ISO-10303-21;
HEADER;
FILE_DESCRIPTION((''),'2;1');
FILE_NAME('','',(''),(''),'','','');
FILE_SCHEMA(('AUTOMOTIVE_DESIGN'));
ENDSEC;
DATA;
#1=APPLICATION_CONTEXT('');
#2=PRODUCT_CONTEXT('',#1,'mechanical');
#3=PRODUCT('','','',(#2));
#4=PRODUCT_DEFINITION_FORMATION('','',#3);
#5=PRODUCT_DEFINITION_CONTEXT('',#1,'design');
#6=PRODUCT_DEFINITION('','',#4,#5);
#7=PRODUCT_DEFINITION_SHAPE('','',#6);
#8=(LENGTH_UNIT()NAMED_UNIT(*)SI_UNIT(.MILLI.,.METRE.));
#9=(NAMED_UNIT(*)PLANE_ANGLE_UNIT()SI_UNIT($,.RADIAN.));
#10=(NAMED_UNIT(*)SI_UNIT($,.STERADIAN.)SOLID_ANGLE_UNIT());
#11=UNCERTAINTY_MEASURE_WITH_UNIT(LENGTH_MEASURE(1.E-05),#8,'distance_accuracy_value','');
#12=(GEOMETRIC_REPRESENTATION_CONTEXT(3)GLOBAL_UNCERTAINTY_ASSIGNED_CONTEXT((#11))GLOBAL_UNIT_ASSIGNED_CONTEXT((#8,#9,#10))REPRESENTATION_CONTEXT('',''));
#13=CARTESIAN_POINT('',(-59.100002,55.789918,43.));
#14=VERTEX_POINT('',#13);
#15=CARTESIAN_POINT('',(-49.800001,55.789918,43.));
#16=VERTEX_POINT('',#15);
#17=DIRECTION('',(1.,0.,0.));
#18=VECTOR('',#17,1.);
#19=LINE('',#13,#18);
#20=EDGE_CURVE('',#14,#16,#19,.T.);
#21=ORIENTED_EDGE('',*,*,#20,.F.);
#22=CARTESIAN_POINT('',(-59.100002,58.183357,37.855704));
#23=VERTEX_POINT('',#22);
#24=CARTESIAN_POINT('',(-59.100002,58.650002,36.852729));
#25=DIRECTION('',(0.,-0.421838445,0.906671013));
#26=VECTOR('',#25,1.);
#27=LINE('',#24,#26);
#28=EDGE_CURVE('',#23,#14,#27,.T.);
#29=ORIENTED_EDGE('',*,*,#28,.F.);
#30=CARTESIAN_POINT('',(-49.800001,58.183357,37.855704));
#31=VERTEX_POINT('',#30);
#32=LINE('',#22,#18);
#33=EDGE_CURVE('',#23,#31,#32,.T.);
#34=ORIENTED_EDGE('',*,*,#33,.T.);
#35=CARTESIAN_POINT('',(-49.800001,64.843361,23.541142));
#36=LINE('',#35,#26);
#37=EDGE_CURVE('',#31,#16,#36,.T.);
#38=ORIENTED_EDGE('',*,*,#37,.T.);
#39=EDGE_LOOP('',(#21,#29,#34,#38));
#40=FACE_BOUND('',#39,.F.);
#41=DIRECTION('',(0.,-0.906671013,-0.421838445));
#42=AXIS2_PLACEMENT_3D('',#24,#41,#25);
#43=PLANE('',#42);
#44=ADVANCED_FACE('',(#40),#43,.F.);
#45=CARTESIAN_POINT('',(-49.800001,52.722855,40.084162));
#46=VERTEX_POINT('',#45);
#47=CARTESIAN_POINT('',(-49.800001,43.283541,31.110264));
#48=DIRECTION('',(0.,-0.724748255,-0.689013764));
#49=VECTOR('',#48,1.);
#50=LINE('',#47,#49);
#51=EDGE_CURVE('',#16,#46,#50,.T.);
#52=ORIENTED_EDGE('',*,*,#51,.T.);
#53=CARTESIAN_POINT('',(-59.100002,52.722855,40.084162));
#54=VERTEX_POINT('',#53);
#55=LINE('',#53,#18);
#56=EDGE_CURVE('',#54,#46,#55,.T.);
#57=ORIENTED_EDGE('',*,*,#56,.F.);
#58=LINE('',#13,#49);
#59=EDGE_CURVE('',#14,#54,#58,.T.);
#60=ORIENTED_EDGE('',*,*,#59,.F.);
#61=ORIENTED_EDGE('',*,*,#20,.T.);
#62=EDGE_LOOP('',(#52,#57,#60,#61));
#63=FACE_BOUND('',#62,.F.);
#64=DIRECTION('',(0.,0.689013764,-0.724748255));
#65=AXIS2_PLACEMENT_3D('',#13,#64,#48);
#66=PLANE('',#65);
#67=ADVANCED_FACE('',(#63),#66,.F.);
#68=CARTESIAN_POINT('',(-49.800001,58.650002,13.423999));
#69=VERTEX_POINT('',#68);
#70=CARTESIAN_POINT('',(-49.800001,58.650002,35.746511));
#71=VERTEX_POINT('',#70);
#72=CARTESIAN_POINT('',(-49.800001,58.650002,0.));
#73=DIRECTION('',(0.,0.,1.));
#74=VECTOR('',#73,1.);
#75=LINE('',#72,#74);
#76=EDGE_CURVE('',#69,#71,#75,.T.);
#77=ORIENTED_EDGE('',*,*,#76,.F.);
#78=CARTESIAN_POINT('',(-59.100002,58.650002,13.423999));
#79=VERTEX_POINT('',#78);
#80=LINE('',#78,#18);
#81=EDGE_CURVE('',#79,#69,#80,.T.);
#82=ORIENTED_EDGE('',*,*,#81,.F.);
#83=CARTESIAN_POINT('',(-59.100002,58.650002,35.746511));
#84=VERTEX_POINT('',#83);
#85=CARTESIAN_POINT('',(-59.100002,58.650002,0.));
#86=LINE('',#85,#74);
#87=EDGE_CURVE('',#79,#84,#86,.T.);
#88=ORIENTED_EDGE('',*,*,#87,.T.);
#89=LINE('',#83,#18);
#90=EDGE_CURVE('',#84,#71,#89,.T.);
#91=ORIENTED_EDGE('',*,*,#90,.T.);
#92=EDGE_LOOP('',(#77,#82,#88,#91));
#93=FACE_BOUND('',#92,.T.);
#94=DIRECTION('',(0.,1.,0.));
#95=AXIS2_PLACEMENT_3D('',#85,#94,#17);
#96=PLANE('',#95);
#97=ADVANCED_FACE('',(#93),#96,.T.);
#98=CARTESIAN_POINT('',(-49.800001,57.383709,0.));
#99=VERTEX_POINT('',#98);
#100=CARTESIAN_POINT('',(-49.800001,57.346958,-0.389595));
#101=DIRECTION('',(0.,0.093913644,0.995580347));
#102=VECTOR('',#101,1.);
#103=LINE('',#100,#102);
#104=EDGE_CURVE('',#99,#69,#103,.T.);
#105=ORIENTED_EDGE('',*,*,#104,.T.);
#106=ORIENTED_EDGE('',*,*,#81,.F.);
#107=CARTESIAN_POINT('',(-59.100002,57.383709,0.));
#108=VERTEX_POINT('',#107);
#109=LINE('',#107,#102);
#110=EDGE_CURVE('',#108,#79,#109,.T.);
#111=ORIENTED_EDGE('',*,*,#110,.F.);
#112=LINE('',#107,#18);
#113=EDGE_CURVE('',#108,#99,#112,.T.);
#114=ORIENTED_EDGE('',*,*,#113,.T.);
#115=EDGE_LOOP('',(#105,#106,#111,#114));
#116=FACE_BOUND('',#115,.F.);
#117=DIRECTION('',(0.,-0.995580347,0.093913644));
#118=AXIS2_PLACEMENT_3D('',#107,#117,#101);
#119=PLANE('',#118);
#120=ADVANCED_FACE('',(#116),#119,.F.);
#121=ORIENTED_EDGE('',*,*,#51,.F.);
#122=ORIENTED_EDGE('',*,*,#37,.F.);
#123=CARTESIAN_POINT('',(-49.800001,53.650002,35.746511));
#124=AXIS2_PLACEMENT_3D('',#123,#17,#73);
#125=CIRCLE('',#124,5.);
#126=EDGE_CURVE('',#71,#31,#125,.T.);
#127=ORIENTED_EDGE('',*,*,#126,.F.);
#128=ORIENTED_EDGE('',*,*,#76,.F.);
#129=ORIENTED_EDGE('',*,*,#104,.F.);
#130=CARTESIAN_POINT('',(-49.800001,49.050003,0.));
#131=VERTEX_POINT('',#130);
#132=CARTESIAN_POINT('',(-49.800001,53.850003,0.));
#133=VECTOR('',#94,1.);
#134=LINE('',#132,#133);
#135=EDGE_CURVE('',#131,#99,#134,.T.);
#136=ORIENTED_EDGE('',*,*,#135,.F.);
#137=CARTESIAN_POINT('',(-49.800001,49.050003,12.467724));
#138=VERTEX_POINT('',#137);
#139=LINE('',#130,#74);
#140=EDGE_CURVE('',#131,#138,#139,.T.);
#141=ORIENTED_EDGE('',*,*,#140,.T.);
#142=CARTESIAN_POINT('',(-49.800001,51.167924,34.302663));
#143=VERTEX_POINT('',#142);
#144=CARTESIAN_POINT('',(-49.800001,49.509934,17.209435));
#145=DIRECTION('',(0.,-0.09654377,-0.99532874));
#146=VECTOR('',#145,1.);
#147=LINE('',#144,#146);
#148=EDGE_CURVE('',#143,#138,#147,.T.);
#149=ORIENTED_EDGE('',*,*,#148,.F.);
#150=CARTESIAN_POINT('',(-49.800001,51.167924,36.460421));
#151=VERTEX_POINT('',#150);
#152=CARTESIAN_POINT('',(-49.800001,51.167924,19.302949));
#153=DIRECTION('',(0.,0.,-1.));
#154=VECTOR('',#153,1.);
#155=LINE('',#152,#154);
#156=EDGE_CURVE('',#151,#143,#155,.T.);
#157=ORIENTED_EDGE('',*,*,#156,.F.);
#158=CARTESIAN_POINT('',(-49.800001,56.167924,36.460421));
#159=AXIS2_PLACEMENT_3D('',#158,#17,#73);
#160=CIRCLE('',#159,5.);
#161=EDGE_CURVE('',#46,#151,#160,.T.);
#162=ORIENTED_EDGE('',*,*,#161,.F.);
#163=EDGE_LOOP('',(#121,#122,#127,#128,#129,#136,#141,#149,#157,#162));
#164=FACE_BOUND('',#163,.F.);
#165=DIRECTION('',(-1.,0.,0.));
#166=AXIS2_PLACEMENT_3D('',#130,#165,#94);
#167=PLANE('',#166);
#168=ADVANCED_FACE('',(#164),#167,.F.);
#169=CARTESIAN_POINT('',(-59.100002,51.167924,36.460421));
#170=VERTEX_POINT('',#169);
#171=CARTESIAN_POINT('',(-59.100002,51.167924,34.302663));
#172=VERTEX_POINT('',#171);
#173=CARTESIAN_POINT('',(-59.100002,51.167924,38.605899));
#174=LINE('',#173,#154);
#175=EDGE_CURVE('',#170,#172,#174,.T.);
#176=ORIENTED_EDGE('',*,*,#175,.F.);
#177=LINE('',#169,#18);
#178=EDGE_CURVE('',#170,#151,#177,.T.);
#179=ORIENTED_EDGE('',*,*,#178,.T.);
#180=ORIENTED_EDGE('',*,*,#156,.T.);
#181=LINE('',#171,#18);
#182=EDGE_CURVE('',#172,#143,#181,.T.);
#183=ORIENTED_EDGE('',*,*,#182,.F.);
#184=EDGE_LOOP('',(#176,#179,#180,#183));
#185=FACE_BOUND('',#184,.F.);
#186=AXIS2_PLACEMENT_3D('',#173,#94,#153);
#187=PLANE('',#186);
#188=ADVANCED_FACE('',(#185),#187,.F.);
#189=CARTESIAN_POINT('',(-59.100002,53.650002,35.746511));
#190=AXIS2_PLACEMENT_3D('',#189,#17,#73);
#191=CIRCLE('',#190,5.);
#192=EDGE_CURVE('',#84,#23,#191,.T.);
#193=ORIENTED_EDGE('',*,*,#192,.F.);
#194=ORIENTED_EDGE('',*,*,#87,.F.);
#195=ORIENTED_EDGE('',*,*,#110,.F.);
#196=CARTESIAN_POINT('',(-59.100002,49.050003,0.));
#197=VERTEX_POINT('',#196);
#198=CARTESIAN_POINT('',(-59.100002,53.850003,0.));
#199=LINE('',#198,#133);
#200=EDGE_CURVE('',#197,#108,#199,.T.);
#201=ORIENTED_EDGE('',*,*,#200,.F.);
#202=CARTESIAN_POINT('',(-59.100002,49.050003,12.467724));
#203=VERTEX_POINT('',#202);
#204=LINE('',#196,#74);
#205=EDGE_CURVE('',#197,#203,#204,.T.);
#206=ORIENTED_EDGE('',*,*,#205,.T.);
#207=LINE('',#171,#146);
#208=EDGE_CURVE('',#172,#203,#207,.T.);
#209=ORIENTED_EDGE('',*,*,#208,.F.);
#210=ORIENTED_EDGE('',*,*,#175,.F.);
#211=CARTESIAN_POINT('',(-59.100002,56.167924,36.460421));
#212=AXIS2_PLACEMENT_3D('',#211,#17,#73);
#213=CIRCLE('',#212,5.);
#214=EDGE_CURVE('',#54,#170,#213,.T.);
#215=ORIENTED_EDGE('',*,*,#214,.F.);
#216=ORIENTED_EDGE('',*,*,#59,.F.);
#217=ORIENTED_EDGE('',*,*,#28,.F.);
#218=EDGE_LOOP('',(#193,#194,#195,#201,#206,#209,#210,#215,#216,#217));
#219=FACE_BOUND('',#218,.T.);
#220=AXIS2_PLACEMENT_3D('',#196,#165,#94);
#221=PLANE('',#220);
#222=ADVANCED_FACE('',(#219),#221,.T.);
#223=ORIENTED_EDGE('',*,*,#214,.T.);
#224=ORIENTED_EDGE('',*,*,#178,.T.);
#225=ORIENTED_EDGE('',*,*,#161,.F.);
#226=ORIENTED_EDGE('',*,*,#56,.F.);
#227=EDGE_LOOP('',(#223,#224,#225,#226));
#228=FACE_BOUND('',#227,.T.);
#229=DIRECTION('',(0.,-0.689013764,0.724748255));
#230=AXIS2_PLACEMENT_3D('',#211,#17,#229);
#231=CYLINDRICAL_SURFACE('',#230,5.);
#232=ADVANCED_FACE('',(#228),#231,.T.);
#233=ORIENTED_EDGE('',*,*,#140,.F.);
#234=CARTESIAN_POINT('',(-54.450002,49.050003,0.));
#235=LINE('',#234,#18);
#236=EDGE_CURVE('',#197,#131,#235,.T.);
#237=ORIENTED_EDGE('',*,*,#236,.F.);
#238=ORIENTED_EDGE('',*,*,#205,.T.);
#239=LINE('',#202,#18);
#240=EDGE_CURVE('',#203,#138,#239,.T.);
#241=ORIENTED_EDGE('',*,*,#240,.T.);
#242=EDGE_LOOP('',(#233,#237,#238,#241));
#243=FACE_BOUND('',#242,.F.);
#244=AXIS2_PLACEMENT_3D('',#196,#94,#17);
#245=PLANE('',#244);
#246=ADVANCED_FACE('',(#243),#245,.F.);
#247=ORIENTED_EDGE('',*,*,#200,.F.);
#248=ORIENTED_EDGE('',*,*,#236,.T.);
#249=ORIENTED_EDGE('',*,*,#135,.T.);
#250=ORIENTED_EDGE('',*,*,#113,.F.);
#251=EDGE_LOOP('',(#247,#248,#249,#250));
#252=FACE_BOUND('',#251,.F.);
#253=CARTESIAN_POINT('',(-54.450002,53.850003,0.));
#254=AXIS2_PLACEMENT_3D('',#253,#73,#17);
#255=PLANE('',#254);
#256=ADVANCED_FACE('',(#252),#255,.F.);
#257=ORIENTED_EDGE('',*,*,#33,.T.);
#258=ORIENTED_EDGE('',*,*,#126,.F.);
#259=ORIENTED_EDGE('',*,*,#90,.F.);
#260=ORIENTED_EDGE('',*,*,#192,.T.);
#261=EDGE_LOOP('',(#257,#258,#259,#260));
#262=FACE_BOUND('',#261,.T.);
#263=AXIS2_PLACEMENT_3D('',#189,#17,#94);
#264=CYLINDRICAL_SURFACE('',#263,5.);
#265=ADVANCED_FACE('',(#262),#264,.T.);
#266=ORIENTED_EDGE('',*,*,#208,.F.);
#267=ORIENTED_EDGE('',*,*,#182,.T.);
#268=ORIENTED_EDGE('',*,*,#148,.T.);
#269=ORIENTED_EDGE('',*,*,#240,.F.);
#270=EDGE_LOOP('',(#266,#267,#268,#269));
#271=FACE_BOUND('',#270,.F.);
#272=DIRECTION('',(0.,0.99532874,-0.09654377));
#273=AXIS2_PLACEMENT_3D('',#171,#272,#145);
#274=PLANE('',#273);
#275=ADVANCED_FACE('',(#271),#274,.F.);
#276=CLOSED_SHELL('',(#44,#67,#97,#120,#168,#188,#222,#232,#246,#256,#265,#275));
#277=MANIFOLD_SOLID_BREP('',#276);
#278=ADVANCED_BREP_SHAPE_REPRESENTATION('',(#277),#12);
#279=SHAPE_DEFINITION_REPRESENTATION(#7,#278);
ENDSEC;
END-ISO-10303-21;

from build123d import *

# Parameters (mm, degrees)
F0_W     = 9.3000009656
F0_H     = 9.5999985933
F1_DEPTH = 43
F3_DEPTH = 9.3010009656
F4_R     = 5


with BuildPart() as f1:
    # F0 (on Top) → F1 (new body)
    with BuildSketch(Plane.XY):
        with Locations((-54.4500015676, 53.8500025868)):
            Rectangle(F0_W, F0_H)
    extrude(amount=F1_DEPTH)

    # F2 (on face) → F3 (cut, through all)
    with BuildSketch(Plane(origin=(-59.1000020504, 0, 0), x_dir=(0, -1, 0), z_dir=(-1, 0, 0))):
        Polygon((-49.0500032902, 43), (-55.7899177074, 43), (-51.1679239571, 38.6058986187), (-51.1679239571, 34.302663058), (-49.0500032902, 12.4677242711), align=None)
        Polygon((-58.6500018835, 36.8527285755), (-55.7899177074, 43), (-58.6500018835, 43), align=None)
        Polygon((-57.3837086558, 0), (-58.6500018835, 13.4239988402), (-58.6500018835, 0), align=None)
    extrude(amount=-F3_DEPTH, mode=Mode.SUBTRACT)

    # F4
    f4_edges = [f1.edges().sort_by_distance(p)[0] for p in [
        (-54.450002, 51.167924, 38.605899),
        (-54.450002, 58.650002, 36.852729),
    ]]
    fillet(f4_edges, radius=F4_R)


solid = f1.part
